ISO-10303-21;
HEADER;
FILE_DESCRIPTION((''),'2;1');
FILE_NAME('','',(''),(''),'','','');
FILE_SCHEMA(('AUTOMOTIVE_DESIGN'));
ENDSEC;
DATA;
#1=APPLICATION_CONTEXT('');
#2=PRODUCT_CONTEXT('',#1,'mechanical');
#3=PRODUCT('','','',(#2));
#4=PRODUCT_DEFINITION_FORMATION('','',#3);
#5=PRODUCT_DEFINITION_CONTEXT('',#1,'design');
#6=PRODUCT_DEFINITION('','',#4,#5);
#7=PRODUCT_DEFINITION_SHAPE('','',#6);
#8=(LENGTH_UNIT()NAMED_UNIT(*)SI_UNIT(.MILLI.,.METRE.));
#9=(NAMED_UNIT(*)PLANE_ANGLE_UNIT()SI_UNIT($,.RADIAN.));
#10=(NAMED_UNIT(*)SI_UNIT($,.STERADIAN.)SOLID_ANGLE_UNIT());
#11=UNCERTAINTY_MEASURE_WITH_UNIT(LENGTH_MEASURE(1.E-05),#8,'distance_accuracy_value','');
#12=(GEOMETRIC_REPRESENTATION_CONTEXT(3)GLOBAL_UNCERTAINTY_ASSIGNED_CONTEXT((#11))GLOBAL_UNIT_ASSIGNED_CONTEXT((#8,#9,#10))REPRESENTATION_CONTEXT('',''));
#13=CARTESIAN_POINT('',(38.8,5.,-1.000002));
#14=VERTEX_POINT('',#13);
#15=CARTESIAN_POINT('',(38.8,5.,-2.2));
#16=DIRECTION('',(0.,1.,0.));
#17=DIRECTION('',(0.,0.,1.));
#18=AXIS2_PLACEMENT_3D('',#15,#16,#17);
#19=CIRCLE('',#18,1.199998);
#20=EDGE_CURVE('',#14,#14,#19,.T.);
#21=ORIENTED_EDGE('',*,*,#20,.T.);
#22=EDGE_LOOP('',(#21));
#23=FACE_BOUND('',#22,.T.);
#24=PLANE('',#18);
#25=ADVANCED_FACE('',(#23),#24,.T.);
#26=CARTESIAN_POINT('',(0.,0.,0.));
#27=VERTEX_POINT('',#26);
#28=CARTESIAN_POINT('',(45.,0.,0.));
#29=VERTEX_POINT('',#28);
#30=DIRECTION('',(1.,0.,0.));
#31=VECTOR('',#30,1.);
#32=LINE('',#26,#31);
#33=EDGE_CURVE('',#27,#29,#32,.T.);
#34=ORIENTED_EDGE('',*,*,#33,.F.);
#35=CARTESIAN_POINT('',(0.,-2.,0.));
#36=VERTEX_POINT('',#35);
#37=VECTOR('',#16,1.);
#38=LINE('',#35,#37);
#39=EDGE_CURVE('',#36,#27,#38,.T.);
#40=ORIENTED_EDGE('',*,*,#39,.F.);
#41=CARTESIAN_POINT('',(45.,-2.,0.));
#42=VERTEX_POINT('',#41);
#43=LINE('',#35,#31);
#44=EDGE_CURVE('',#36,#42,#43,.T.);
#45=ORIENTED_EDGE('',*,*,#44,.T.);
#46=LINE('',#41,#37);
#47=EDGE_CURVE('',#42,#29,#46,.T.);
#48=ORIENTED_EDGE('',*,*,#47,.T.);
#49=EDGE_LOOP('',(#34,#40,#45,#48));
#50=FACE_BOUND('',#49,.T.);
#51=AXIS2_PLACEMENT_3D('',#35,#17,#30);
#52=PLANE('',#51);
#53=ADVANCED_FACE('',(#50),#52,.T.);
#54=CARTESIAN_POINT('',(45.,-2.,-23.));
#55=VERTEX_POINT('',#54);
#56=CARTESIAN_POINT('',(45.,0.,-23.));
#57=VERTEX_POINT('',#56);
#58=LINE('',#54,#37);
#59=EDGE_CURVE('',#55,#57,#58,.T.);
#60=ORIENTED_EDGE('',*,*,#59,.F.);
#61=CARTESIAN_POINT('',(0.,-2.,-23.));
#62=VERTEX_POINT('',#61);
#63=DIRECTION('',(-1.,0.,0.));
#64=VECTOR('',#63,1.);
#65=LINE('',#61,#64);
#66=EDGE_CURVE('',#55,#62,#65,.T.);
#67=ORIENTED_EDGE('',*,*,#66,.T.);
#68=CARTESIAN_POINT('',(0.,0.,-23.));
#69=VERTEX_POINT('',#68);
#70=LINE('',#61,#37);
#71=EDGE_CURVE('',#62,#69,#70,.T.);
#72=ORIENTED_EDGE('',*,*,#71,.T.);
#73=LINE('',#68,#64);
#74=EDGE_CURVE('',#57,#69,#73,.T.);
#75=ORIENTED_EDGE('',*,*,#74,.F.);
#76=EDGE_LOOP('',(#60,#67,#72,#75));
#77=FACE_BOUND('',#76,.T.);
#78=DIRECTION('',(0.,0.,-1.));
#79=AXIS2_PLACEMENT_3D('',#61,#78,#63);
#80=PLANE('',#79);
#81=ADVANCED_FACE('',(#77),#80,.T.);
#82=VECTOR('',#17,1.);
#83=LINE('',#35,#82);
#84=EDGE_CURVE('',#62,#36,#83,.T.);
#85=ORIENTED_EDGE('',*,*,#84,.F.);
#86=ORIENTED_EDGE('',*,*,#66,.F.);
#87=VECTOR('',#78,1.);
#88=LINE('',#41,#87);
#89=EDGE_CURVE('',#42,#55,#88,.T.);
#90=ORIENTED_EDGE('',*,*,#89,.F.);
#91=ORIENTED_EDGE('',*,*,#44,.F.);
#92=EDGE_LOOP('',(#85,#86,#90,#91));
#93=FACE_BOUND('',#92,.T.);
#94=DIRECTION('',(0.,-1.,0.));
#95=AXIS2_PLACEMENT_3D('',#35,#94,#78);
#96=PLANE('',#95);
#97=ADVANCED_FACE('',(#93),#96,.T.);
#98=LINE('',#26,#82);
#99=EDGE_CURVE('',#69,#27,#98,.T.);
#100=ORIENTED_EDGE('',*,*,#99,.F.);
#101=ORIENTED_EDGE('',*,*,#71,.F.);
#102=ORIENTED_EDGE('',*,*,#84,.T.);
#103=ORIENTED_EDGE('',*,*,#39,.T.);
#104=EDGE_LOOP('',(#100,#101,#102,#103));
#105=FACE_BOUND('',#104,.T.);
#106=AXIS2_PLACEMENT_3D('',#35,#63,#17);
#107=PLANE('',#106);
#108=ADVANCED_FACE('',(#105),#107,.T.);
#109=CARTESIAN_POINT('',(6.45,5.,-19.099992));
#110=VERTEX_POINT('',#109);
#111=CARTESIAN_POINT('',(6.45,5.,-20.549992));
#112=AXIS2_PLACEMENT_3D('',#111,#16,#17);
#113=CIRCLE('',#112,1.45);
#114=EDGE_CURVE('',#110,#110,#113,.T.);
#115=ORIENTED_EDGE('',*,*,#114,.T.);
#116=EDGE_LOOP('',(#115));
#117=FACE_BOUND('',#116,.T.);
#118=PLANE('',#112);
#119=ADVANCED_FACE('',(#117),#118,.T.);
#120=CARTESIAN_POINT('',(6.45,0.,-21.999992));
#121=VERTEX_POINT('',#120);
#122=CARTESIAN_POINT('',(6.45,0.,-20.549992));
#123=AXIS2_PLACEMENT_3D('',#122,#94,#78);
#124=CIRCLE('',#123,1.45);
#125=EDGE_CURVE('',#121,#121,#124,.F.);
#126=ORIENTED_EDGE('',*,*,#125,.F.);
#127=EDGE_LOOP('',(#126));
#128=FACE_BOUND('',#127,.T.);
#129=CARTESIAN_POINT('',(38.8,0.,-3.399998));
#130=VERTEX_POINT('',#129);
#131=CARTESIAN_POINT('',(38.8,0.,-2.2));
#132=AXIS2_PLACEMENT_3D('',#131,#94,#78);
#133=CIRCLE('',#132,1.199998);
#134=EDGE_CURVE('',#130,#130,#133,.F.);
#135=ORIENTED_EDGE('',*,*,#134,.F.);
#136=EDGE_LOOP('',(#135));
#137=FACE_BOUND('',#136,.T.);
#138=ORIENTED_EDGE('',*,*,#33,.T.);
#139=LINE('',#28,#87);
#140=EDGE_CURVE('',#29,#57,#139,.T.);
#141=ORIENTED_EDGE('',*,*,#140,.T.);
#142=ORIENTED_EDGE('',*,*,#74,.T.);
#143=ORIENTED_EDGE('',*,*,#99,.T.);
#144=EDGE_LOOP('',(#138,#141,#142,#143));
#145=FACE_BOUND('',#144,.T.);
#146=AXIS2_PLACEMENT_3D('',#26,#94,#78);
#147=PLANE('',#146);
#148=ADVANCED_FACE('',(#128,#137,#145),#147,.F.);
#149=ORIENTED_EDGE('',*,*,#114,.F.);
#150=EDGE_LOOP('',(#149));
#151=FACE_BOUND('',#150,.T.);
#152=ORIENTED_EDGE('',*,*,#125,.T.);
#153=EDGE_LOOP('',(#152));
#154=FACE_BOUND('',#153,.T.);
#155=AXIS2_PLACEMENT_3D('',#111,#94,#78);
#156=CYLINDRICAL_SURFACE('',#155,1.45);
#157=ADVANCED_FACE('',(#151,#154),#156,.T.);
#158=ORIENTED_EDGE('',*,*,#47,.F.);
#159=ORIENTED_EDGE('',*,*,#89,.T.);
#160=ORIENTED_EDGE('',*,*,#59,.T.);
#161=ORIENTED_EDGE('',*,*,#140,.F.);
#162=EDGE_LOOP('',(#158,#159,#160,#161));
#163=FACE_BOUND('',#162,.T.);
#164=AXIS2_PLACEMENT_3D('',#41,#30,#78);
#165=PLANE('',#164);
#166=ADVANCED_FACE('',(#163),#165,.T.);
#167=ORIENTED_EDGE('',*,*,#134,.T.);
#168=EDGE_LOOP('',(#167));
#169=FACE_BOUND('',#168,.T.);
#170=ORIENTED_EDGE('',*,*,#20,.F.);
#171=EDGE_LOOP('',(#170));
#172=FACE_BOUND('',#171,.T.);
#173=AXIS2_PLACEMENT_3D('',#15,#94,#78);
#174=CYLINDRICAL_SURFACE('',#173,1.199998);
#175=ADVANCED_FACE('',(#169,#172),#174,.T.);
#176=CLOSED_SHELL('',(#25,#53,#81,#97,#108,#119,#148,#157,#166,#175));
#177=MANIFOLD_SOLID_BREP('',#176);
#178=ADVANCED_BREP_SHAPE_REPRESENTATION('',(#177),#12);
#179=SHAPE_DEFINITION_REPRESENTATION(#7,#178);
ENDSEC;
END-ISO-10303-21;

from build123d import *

# Parameters (mm, degrees)
SKETCH1_W           = 45
SKETCH1_H           = 23
BOSS_EXTRUDE1_DEPTH = 2
SKETCH2_R           = 1.1999976
BOSS_EXTRUDE2_DEPTH = 5
SKETCH3_R           = 1.45
BOSS_EXTRUDE3_DEPTH = 5


with BuildPart() as part:
    # Sketch1 → Boss-Extrude1 (new body)
    with BuildSketch(Plane(origin=(0, 0, 0), x_dir=(1, 0, 0), z_dir=(0, 1, 0))):
        with Locations((22.5, 11.5)):
            Rectangle(SKETCH1_W, SKETCH1_H)
    extrude(amount=-BOSS_EXTRUDE1_DEPTH)

    # Sketch2 → Boss-Extrude2 (add)
    with BuildSketch(Plane(origin=(0, 0, 0), x_dir=(1, 0, 0), z_dir=(0, 1, 0))):
        with Locations((38.8, 2.2)):
            Circle(SKETCH2_R)
    extrude(amount=BOSS_EXTRUDE2_DEPTH)

    # Sketch3 → Boss-Extrude3 (add)
    with BuildSketch(Plane(origin=(0, 0, 0), x_dir=(1, 0, 0), z_dir=(0, 1, 0))):
        with Locations((6.45, 20.5499922)):
            Circle(SKETCH3_R)
    extrude(amount=BOSS_EXTRUDE3_DEPTH)


solid = part.part
